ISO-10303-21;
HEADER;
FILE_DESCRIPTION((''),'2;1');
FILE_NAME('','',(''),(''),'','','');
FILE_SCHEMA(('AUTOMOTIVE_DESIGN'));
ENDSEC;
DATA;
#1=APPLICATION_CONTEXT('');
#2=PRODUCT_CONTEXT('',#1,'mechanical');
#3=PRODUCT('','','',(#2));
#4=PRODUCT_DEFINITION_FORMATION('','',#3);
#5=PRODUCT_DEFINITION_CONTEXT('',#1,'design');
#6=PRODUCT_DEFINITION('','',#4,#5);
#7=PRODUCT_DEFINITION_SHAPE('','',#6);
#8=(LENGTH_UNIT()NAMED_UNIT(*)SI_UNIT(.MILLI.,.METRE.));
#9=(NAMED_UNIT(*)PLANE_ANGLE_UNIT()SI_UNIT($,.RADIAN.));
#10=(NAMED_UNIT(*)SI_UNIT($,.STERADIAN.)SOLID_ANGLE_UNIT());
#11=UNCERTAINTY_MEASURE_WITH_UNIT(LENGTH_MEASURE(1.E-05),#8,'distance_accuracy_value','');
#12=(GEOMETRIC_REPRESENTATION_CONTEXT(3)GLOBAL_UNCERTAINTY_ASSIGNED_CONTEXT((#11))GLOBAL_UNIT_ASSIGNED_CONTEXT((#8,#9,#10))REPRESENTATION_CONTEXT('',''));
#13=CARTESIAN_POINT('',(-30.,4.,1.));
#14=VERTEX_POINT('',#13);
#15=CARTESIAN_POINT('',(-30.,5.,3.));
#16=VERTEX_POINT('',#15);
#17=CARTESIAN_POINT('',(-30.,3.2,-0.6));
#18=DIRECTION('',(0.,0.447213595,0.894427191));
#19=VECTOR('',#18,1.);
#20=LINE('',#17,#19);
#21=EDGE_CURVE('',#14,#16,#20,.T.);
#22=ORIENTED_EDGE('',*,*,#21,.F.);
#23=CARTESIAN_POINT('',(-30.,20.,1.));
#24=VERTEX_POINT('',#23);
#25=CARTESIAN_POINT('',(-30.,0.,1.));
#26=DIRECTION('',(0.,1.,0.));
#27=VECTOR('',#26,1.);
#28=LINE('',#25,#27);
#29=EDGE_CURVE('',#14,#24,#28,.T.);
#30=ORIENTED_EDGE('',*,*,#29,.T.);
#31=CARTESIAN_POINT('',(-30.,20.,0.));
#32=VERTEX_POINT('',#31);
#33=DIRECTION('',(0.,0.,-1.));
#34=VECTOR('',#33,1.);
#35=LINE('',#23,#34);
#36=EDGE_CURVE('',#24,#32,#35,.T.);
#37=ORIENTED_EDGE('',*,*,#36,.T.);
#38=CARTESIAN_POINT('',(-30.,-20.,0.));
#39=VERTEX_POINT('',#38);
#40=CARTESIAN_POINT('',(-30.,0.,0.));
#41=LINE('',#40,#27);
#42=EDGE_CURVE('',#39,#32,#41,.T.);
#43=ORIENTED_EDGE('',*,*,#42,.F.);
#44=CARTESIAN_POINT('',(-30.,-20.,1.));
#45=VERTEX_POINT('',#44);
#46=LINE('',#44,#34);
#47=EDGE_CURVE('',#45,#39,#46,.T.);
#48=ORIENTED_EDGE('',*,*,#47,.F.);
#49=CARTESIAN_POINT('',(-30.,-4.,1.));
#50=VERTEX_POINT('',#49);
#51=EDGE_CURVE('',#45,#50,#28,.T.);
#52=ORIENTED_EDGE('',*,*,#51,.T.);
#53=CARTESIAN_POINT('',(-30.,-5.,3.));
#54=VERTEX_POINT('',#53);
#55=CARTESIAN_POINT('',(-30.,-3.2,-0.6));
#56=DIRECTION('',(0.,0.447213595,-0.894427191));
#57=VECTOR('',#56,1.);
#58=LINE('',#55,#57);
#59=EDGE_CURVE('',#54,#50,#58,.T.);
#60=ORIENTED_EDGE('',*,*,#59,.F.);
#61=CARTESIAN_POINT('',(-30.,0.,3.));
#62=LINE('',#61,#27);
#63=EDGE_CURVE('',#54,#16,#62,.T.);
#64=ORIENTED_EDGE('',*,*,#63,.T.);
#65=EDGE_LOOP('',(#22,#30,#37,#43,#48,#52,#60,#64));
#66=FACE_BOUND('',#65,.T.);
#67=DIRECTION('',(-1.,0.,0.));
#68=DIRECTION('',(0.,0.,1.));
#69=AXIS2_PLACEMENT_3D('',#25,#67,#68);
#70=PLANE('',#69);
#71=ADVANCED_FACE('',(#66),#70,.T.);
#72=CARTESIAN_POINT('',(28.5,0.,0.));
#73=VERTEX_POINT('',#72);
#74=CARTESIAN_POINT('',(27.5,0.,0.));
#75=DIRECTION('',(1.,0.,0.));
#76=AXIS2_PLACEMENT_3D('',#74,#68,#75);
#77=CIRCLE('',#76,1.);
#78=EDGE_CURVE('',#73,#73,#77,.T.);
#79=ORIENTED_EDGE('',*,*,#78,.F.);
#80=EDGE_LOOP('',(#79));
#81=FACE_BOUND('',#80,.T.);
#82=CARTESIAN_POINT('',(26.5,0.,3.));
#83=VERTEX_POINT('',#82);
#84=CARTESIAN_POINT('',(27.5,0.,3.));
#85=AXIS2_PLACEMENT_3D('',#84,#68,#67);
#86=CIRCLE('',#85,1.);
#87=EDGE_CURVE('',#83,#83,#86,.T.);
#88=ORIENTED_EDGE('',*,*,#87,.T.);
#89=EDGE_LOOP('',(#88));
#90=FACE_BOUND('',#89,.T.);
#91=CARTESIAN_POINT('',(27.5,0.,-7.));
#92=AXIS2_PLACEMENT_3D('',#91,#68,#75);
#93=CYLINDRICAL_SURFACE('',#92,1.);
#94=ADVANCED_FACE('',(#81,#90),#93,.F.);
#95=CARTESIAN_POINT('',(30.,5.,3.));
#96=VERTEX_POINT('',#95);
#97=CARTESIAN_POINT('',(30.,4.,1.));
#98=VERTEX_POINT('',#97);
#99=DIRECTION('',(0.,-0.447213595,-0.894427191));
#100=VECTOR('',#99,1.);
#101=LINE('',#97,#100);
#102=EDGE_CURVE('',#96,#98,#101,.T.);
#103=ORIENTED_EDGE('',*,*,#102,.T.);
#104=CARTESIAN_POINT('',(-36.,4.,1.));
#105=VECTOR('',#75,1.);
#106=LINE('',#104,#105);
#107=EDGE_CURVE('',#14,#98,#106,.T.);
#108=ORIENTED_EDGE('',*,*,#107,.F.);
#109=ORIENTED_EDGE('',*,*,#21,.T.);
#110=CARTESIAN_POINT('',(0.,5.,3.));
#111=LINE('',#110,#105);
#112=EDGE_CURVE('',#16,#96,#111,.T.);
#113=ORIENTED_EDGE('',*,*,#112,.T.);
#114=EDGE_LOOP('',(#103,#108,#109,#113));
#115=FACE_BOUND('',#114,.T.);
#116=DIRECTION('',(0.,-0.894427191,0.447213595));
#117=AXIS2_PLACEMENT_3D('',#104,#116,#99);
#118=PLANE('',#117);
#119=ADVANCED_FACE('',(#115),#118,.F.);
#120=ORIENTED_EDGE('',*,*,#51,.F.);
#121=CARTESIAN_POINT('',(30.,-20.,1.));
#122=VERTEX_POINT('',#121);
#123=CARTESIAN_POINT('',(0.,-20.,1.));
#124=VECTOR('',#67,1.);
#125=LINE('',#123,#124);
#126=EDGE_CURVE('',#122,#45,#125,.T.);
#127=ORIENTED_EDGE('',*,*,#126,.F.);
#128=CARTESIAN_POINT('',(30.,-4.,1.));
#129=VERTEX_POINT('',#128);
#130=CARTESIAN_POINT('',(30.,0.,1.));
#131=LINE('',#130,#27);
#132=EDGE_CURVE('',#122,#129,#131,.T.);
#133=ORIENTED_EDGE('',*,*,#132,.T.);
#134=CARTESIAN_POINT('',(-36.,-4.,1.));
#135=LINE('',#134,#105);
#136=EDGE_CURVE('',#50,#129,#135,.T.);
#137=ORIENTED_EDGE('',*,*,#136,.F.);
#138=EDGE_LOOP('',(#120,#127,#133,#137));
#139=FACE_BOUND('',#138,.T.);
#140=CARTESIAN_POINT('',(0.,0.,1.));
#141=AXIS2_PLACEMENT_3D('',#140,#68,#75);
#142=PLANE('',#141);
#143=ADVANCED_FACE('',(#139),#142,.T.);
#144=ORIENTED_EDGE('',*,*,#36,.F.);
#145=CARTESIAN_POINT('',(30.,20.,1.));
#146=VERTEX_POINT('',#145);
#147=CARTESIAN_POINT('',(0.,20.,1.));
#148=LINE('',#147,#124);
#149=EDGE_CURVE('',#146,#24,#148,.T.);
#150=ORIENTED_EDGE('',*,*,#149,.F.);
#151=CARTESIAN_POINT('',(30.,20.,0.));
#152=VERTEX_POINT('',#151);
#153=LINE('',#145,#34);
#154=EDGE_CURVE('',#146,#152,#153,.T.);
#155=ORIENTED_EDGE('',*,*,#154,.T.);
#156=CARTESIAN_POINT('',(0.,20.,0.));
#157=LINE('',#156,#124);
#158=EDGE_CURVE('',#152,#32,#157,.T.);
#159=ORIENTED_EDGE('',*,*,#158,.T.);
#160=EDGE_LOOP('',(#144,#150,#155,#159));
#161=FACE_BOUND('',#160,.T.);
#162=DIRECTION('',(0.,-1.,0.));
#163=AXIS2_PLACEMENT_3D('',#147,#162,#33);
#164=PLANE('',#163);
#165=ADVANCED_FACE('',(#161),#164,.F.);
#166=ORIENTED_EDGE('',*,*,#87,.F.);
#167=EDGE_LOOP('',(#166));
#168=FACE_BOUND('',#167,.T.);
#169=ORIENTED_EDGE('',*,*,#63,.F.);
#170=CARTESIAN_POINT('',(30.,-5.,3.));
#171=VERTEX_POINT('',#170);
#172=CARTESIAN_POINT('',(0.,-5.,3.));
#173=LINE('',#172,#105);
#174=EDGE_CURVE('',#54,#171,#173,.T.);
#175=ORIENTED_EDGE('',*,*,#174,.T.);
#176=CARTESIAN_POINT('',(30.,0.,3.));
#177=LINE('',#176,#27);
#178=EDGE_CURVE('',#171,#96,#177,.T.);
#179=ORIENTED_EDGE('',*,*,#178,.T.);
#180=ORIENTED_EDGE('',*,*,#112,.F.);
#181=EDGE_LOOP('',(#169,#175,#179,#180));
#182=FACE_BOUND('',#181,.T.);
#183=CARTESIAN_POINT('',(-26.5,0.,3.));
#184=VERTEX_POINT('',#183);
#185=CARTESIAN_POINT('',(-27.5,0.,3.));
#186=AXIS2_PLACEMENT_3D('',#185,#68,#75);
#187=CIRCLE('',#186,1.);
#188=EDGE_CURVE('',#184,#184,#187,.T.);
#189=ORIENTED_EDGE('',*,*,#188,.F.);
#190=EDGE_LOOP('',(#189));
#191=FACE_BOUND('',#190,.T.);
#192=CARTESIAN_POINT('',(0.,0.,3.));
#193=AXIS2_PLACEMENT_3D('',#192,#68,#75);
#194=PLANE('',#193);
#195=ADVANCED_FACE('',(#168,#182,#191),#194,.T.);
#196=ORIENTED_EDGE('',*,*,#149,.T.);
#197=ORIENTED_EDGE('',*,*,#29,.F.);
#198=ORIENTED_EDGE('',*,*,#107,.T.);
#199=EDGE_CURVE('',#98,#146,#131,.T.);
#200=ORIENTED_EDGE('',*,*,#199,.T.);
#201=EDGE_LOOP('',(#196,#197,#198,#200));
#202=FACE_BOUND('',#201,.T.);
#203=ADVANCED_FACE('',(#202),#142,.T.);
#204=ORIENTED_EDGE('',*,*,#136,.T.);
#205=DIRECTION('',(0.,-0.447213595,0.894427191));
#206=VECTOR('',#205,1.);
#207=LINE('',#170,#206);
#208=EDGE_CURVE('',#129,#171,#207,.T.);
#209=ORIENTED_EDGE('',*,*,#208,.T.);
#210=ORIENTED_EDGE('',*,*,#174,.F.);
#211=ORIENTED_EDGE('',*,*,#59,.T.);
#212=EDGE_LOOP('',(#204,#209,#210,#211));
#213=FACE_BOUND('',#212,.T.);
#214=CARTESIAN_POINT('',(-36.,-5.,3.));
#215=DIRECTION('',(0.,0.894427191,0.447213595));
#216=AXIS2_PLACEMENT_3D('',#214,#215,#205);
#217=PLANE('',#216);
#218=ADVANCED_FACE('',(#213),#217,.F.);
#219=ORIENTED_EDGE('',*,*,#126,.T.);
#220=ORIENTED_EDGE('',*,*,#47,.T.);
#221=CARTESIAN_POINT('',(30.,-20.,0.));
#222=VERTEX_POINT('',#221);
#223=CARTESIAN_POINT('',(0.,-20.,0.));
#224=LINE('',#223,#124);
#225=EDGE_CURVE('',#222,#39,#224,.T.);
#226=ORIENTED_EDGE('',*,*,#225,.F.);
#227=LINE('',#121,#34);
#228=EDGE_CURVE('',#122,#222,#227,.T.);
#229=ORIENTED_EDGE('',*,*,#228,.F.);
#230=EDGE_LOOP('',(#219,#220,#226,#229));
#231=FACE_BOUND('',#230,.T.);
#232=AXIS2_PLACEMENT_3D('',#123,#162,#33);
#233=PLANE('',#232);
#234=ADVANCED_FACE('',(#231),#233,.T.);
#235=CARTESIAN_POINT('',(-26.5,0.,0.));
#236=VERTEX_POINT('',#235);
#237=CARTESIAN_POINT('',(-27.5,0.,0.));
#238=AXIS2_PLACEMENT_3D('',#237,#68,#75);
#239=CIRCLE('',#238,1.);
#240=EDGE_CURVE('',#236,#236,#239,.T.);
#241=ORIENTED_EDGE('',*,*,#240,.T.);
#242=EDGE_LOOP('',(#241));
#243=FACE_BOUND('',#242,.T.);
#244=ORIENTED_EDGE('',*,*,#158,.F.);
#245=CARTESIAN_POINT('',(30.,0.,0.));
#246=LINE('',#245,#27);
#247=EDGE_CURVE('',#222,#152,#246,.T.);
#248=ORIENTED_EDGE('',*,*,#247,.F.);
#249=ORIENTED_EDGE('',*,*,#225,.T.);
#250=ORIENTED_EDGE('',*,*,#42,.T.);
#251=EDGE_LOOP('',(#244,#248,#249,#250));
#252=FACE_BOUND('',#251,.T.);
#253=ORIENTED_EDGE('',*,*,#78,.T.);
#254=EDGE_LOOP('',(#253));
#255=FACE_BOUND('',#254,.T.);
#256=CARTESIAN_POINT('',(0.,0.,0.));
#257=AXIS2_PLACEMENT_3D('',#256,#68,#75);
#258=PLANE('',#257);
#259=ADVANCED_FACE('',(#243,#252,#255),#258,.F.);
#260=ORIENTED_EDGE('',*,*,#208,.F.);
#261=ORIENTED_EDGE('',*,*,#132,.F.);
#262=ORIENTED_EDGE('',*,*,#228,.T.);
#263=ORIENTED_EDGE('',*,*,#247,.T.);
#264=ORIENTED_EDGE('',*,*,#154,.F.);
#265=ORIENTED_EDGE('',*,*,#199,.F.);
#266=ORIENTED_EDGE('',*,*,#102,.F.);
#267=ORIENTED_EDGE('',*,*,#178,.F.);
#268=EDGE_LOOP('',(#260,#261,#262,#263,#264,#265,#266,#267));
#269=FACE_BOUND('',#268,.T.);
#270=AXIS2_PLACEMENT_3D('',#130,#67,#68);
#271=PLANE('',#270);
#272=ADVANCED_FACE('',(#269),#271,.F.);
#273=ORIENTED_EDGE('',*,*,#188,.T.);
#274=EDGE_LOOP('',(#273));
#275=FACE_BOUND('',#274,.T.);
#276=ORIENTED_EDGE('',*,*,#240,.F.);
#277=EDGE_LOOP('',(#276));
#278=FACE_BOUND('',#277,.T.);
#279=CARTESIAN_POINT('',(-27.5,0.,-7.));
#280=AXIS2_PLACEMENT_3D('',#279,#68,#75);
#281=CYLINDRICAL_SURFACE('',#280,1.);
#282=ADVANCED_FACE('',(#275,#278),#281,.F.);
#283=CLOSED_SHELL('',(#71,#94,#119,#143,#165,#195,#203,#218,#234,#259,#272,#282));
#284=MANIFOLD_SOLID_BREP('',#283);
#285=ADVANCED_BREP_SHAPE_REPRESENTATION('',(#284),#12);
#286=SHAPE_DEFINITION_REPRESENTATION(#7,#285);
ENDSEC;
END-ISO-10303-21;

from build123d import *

# Parameters (mm, degrees)
SKETCH1_W             = 15
SKETCH1_H             = 60
BOSS_EXTRUDE1_DEPTH   = 1
BOSS_EXTRUDE1_2_DEPTH = 1
SKETCH1_3_W           = 10
SKETCH1_3_H           = 60
BOSS_EXTRUDE2_DEPTH   = 3
CUT_EXTRUDE1_DEPTH    = 66
SKETCH5_R             = 1
CUT_EXTRUDE2_DEPTH    = 10


with BuildPart() as part:
    # Sketch1 → Boss-Extrude1 (new body)
    with BuildSketch(Plane(origin=(0, 0, 0), x_dir=(0, 1, 0), z_dir=(0, 0, 1))):
        with Locations((-12.5, 0)):
            Rectangle(SKETCH1_W, SKETCH1_H)
    extrude(amount=BOSS_EXTRUDE1_DEPTH)



with BuildPart() as body_2:
    # Sketch1 → Boss-Extrude1 2 (new body)
    with BuildSketch(Plane(origin=(0, 0, 0), x_dir=(0, 1, 0), z_dir=(0, 0, 1))):
        with Locations((12.5, 0)):
            Rectangle(SKETCH1_W, SKETCH1_H)
    extrude(amount=BOSS_EXTRUDE1_2_DEPTH)


with BuildPart() as part_1:
    add(part.part)

    add(body_2.part)  # Boss-Extrude2 merges body 2
    # Sketch1<3> → Boss-Extrude2 (add)
    with BuildSketch(Plane(origin=(0, 0, 0), x_dir=(0, 1, 0), z_dir=(0, 0, 1))):
        Rectangle(SKETCH1_3_W, SKETCH1_3_H)
    extrude(amount=BOSS_EXTRUDE2_DEPTH)

    # Sketch2 → Cut-Extrude1 (cut)
    with BuildSketch(Plane.YZ.offset(30)):
        Polygon((-5, 1), (-4, 1), (-5, 3), align=None)
        Polygon((5, 1), (4, 1), (5, 3), align=None)
    extrude(amount=-CUT_EXTRUDE1_DEPTH, mode=Mode.SUBTRACT)

    # Sketch5 → Cut-Extrude2 (cut)
    with BuildSketch(Plane.XY.offset(3)):
        with Locations((-27.5, 0)):
            Circle(SKETCH5_R)
        with Locations((27.5, 0)):
            Circle(SKETCH5_R)
    extrude(amount=-CUT_EXTRUDE2_DEPTH, mode=Mode.SUBTRACT)


solid = part_1.part
